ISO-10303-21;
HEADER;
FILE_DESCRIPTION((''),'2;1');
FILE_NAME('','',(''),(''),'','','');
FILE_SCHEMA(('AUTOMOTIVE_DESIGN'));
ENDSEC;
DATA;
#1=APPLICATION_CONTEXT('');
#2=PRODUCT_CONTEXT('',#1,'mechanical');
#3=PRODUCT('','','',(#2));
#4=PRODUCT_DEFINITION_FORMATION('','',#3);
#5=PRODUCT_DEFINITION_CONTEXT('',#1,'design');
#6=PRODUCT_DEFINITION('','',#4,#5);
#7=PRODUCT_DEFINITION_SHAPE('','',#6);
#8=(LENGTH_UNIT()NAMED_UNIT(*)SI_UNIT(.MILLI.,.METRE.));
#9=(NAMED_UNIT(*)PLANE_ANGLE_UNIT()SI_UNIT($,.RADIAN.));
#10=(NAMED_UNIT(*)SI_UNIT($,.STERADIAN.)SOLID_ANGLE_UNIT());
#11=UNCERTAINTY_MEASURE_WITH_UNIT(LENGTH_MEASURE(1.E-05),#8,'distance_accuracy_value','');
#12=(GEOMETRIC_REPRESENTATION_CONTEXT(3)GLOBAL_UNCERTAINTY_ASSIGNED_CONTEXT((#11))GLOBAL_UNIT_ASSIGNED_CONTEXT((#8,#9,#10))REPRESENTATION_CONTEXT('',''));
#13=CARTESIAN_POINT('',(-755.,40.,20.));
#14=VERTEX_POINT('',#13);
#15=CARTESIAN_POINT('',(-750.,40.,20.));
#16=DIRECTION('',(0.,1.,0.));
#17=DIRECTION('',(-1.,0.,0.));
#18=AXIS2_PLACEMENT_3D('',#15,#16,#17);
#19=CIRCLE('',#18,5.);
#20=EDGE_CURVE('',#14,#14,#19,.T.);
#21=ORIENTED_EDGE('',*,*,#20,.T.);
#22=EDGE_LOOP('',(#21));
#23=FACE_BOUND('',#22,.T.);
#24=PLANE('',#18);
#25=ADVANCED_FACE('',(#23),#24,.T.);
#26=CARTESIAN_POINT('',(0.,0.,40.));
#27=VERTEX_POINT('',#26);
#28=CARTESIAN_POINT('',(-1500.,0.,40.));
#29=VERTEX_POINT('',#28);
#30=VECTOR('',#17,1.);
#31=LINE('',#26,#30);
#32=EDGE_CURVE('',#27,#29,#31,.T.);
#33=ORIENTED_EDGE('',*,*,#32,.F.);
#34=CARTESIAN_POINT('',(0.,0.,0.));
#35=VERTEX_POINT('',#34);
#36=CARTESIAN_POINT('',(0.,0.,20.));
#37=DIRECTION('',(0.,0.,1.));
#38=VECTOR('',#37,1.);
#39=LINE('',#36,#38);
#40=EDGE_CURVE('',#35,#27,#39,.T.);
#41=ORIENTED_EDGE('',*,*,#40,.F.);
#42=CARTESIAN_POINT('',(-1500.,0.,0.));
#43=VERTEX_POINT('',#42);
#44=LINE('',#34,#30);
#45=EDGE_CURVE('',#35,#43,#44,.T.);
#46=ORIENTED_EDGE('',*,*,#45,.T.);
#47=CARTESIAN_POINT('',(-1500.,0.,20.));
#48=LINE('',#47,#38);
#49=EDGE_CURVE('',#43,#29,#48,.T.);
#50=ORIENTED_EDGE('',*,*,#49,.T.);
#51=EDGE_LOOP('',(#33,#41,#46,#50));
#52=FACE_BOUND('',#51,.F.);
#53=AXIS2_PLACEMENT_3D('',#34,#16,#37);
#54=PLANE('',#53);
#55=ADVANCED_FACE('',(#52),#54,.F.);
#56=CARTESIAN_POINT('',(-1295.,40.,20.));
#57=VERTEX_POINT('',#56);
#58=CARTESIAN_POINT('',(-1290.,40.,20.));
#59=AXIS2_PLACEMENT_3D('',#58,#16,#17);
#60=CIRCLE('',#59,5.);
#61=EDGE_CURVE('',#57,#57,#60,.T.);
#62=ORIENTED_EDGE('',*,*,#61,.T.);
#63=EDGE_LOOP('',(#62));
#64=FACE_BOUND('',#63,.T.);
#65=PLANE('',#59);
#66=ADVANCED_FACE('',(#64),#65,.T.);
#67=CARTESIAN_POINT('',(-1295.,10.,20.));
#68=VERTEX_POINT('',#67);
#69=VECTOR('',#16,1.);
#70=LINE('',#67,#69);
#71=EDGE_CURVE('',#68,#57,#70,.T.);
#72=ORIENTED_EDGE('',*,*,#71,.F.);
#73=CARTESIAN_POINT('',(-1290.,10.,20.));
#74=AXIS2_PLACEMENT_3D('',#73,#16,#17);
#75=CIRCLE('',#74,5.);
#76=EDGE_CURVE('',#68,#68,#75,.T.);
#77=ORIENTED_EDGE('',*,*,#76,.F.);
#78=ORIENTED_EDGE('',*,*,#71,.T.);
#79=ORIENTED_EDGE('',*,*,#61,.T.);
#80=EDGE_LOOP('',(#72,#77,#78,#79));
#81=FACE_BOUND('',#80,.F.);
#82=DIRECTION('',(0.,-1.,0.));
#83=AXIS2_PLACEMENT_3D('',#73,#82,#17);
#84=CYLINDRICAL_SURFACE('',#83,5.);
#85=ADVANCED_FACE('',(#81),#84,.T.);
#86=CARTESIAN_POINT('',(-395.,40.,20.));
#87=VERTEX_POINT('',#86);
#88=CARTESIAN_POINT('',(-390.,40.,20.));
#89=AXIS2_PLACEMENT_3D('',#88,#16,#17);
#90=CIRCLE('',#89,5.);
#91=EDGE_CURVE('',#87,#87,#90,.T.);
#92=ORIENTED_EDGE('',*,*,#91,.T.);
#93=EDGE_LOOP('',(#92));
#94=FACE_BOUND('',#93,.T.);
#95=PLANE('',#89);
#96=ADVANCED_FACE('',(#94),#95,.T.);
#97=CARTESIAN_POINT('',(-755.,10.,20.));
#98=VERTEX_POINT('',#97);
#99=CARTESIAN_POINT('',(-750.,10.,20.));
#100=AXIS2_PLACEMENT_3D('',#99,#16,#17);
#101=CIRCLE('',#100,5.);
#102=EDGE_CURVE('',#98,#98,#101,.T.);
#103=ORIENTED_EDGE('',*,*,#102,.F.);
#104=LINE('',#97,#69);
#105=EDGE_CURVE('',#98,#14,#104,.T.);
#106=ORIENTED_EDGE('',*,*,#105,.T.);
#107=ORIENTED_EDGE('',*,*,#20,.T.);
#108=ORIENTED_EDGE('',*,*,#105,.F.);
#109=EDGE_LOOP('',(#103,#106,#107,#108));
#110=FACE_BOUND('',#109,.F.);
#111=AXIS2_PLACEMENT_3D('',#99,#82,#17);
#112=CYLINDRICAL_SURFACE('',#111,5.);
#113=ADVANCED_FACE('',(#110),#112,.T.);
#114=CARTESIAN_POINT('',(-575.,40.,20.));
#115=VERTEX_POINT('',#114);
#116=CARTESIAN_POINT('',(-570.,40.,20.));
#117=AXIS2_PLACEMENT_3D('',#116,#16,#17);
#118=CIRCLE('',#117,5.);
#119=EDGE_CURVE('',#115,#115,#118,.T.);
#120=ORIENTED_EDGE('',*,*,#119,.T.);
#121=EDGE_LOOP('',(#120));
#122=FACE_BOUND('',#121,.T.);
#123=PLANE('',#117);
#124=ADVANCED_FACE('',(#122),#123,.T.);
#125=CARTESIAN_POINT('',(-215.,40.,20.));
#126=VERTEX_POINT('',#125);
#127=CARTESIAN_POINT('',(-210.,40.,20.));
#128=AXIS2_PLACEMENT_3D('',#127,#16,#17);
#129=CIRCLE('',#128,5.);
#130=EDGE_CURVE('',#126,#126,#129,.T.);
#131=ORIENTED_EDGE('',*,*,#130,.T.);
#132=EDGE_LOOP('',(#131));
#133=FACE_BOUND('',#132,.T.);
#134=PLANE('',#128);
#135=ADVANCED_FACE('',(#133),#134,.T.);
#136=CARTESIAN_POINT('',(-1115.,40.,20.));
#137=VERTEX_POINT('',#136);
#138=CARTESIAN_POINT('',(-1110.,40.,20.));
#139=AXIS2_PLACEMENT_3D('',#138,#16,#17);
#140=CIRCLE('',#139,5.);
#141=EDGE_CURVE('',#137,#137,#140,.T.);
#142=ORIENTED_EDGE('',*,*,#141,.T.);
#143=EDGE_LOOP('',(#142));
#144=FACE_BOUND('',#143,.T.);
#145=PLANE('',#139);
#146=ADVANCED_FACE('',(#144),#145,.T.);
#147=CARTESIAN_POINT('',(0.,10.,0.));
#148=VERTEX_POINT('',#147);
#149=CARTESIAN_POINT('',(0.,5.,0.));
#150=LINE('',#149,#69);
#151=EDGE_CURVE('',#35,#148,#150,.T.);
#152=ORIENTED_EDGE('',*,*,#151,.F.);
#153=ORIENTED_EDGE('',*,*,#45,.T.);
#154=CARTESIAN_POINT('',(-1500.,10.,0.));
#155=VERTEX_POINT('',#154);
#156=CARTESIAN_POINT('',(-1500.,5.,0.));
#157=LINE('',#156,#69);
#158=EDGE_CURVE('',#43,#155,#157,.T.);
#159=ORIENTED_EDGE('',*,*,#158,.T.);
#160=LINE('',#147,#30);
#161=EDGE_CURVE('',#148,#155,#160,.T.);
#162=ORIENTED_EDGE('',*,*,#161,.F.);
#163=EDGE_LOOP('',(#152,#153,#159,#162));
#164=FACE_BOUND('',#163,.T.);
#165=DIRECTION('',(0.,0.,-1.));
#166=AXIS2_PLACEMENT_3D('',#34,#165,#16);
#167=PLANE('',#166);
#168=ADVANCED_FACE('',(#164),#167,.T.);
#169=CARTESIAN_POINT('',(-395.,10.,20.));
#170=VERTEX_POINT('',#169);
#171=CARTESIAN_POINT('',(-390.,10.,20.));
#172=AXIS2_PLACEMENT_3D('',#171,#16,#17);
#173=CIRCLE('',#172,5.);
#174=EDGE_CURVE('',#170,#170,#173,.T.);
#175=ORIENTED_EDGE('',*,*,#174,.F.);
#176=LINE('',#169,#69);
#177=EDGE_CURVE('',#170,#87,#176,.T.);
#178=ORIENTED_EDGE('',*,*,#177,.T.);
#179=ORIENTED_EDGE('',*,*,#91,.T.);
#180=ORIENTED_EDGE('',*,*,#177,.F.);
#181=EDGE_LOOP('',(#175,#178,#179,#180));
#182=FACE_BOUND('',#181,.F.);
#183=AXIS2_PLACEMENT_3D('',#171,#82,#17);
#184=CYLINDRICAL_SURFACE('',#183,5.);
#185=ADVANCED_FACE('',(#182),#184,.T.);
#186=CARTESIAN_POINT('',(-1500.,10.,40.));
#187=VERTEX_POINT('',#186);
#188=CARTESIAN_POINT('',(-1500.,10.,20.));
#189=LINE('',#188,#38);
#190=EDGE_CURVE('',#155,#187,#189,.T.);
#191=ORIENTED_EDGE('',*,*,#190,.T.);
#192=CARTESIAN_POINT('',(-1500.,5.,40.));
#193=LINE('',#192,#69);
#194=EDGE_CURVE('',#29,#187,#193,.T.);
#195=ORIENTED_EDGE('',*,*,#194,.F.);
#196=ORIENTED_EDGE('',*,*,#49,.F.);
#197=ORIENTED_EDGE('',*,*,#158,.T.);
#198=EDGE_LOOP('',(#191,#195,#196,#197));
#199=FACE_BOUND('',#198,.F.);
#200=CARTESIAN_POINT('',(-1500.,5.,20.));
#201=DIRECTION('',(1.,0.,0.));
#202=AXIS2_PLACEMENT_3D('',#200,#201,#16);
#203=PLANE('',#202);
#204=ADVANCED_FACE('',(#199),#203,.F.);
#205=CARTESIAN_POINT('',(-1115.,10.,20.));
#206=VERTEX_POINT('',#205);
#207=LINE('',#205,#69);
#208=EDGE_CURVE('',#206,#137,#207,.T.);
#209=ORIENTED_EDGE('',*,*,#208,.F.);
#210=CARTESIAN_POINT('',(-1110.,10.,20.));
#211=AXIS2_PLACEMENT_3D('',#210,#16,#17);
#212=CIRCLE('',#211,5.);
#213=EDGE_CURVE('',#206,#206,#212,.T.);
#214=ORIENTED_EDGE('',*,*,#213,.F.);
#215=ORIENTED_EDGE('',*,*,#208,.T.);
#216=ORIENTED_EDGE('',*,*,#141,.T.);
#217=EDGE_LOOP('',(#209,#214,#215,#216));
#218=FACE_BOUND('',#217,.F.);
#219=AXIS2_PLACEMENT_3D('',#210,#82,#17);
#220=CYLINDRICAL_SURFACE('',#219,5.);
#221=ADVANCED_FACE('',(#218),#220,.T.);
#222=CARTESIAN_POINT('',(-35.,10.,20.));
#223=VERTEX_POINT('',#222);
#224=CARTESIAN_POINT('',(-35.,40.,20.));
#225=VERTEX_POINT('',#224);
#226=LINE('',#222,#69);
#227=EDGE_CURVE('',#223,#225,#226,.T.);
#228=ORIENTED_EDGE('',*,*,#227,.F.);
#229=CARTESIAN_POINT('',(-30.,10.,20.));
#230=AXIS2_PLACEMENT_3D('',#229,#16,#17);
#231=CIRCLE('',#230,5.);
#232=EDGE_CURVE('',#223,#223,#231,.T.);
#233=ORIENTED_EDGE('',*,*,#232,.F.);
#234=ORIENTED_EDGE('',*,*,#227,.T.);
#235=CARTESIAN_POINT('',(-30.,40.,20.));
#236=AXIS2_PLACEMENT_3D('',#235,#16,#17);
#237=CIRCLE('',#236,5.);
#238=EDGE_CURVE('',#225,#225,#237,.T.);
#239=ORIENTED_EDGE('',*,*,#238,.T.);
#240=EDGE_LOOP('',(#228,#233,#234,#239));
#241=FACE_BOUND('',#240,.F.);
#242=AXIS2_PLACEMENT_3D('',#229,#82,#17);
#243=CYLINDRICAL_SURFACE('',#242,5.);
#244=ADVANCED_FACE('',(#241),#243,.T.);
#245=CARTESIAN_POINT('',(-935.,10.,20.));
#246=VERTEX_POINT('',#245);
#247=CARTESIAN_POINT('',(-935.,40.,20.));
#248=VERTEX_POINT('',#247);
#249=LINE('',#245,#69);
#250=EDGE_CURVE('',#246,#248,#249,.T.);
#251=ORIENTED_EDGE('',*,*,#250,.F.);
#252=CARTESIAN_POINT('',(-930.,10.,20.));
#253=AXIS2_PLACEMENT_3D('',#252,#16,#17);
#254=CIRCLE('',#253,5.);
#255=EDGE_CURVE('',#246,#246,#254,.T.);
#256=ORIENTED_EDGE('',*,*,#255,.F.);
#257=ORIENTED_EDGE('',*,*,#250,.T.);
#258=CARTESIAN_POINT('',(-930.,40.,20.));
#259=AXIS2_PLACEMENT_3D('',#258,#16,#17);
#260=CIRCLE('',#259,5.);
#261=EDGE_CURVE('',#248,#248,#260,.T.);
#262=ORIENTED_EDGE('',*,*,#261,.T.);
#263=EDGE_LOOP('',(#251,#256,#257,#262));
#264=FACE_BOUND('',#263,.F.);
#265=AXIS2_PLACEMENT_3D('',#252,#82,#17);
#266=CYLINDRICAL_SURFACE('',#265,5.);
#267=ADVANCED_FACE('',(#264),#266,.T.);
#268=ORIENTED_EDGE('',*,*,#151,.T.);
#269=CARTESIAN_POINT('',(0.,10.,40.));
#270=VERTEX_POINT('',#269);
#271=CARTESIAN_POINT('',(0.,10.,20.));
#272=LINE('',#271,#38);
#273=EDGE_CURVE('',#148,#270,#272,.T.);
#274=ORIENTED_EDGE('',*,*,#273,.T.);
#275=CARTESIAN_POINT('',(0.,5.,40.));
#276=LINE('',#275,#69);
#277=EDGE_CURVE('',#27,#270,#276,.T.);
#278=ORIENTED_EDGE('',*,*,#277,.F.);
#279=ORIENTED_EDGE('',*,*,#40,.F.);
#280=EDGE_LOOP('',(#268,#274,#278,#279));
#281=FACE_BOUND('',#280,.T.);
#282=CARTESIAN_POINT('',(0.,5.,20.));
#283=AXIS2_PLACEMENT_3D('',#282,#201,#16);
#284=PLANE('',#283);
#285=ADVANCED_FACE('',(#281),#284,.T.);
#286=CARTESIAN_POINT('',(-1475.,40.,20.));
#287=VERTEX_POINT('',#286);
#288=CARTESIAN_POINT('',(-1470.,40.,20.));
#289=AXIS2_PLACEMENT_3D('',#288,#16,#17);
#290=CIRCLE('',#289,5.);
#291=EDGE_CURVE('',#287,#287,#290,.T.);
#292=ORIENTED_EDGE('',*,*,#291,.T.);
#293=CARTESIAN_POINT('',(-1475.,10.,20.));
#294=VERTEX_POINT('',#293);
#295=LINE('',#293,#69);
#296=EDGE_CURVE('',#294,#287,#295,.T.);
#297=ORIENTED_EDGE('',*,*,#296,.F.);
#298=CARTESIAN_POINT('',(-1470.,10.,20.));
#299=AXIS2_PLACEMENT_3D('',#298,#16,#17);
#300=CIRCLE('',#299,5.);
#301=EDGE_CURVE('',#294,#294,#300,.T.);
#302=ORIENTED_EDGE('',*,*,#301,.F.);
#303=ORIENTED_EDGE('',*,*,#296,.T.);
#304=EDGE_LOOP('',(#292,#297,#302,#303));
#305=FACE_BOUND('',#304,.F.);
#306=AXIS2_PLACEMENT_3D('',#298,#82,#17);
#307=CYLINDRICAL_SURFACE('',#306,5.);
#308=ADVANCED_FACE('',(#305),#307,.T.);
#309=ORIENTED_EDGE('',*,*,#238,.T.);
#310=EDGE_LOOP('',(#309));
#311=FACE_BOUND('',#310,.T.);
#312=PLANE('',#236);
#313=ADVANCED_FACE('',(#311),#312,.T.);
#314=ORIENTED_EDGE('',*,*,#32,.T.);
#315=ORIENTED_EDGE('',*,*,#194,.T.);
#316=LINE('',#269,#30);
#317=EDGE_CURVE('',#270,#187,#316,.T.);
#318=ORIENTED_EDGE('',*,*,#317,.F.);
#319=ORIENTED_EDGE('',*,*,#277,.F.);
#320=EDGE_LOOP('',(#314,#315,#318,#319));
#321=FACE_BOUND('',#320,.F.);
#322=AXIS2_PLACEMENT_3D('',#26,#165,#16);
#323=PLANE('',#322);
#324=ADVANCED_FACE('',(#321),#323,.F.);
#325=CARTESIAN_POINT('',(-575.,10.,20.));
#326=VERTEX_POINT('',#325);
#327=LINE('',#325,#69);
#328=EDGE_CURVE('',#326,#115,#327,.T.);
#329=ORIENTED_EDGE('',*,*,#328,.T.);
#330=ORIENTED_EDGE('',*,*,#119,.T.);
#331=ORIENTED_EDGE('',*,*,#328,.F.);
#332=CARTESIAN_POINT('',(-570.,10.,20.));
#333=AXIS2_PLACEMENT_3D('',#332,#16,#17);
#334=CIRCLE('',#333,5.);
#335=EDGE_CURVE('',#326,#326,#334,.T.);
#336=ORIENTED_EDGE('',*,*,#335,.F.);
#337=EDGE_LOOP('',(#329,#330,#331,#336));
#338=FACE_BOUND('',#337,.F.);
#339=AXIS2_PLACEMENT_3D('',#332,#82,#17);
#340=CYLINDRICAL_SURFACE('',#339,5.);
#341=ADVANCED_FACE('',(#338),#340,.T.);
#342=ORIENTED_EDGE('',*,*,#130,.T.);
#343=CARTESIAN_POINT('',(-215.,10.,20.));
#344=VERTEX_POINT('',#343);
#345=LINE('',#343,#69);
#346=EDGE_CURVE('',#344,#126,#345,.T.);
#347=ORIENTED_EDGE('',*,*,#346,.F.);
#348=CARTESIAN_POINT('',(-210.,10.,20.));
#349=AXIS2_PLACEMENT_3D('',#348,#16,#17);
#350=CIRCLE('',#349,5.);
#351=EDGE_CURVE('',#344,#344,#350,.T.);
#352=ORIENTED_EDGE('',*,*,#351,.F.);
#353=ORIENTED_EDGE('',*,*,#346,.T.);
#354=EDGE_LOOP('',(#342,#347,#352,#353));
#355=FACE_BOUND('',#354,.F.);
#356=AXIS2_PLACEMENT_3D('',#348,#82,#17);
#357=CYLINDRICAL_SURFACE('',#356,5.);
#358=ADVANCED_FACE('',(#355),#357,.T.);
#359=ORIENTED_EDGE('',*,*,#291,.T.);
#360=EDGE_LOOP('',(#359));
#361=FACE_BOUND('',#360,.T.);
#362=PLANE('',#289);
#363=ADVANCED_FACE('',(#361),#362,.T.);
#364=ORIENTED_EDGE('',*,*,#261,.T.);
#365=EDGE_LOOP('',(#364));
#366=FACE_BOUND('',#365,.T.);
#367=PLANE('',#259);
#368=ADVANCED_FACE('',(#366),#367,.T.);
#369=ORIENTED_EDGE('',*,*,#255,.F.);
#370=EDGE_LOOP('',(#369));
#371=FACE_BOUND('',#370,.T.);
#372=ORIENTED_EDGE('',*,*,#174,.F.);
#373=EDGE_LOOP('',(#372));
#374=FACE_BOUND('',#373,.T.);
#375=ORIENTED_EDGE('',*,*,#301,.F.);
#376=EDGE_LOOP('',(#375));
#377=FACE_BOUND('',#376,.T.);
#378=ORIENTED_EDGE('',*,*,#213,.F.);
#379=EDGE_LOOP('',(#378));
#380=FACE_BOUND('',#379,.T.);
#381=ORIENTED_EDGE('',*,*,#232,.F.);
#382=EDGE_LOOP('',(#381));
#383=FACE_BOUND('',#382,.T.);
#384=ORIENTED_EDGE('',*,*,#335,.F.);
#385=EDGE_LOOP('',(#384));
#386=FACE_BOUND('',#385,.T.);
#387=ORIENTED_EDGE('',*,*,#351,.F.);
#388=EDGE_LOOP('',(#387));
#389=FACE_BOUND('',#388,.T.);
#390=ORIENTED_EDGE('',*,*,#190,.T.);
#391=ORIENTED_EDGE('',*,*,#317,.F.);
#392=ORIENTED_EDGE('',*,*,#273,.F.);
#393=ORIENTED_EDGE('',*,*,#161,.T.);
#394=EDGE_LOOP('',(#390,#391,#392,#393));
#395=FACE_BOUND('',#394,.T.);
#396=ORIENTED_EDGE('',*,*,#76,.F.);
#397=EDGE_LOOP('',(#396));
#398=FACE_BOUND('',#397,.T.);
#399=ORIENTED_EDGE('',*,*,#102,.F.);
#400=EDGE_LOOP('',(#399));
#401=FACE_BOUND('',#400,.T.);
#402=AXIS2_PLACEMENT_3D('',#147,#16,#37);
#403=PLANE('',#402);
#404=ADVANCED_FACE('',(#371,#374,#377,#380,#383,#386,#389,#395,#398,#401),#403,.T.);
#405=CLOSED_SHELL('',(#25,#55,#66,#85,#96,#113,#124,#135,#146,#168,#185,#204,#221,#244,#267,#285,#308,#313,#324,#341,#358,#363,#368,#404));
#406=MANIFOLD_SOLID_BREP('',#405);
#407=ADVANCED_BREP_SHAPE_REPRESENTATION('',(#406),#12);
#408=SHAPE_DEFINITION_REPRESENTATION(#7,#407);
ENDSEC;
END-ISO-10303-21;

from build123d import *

# Parameters (mm, degrees)
F0_W     = 10
F0_H     = 40
F1_DEPTH = 1500
F2_R     = 5
F3_DEPTH = 30


with BuildPart() as f1:
    # F0 (on Right) → F1 (new body)
    with BuildSketch(Plane.YZ):
        with Locations((5, 20)):
            Rectangle(F0_W, F0_H)
    extrude(amount=-F1_DEPTH)

    # F2 (on face) → F3 (join)
    with BuildSketch(Plane(origin=(0, 10, 0), x_dir=(-1, 0, 0), z_dir=(0, 1, 0))):
        with Locations((30, 20)):
            Circle(F2_R)
        with Locations((210, 20)):
            Circle(F2_R)
        with Locations((390, 20)):
            Circle(F2_R)
        with Locations((570, 20)):
            Circle(F2_R)
        with Locations((750, 20)):
            Circle(F2_R)
        with Locations((930, 20)):
            Circle(F2_R)
        with Locations((1110, 20)):
            Circle(F2_R)
        with Locations((1290, 20)):
            Circle(F2_R)
        with Locations((1470, 20)):
            Circle(F2_R)
    extrude(amount=F3_DEPTH)


solid = f1.part
